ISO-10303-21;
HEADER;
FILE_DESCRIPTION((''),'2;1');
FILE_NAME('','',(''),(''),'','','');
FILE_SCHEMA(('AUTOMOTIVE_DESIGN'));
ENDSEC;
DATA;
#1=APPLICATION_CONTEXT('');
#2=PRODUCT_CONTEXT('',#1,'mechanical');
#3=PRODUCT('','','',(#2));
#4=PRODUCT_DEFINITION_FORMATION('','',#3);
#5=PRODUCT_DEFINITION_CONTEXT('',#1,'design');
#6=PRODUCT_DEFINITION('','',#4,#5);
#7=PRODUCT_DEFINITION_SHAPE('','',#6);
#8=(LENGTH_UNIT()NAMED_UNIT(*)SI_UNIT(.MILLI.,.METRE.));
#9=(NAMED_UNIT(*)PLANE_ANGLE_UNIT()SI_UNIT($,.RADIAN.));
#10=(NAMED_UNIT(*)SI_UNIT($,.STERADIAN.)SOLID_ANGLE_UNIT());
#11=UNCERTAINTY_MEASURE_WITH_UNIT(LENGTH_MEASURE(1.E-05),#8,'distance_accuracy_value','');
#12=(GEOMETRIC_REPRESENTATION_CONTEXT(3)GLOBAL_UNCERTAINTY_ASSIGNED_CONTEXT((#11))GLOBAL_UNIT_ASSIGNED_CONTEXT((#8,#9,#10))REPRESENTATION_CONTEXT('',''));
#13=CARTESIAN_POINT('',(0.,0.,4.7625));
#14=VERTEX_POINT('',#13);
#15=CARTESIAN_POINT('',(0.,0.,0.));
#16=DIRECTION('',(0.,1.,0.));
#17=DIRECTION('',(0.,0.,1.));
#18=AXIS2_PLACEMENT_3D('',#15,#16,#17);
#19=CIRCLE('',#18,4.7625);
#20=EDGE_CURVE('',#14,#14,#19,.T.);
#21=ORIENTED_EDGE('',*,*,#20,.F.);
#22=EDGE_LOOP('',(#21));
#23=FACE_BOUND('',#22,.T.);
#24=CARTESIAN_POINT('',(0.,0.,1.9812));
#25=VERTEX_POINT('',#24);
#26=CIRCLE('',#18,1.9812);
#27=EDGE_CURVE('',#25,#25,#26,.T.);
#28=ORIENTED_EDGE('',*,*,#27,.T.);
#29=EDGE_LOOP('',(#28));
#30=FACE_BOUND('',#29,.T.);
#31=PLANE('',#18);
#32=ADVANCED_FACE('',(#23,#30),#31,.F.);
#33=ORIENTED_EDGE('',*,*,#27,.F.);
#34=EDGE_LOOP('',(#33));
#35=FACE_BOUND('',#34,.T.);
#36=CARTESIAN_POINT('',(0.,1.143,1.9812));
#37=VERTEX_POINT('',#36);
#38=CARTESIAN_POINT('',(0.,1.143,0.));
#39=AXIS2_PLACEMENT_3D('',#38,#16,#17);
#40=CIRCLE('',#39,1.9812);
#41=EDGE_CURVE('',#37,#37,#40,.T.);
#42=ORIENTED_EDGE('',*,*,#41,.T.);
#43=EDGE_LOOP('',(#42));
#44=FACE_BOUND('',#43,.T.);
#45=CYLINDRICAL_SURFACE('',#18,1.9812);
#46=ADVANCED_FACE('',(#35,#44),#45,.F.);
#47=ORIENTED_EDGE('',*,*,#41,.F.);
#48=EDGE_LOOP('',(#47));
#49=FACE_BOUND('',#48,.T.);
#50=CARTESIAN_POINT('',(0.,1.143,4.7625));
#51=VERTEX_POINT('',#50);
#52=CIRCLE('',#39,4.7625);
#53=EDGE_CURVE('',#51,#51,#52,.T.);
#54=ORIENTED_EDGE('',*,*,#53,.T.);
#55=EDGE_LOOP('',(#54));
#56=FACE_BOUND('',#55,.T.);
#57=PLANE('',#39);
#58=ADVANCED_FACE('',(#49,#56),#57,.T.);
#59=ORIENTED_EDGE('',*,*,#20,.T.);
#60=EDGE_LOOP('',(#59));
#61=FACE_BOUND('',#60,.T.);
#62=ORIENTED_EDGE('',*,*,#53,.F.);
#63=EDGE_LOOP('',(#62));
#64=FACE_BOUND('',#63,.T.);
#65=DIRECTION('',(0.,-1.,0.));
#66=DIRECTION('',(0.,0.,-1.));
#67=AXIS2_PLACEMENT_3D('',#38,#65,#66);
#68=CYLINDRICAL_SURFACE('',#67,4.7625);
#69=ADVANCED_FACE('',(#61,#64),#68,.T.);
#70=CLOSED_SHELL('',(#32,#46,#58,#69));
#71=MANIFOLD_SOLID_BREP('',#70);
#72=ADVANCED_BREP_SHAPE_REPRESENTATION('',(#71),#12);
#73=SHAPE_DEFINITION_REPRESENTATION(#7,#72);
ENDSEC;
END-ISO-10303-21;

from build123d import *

# Parameters (mm, degrees)
SKETCH1_R           = 4.7625
BOSS_EXTRUDE1_DEPTH = 1.143
SKETCH5_R           = 1.9812
CUT_EXTRUDE1_DEPTH  = 2.143


with BuildPart() as part:
    # Sketch1 → Boss-Extrude1 (new body)
    with BuildSketch(Plane(origin=(0, 0, 0), x_dir=(1, 0, 0), z_dir=(0, 1, 0))):
        Circle(SKETCH1_R)
    extrude(amount=BOSS_EXTRUDE1_DEPTH)

    # Sketch5 → Cut-Extrude1 (cut, through all)
    with BuildSketch(Plane(origin=(0, 1.143, 0), x_dir=(-1, 0, 0), z_dir=(0, 1, 0))):
        Circle(SKETCH5_R)
    extrude(amount=-CUT_EXTRUDE1_DEPTH, mode=Mode.SUBTRACT)


solid = part.part
